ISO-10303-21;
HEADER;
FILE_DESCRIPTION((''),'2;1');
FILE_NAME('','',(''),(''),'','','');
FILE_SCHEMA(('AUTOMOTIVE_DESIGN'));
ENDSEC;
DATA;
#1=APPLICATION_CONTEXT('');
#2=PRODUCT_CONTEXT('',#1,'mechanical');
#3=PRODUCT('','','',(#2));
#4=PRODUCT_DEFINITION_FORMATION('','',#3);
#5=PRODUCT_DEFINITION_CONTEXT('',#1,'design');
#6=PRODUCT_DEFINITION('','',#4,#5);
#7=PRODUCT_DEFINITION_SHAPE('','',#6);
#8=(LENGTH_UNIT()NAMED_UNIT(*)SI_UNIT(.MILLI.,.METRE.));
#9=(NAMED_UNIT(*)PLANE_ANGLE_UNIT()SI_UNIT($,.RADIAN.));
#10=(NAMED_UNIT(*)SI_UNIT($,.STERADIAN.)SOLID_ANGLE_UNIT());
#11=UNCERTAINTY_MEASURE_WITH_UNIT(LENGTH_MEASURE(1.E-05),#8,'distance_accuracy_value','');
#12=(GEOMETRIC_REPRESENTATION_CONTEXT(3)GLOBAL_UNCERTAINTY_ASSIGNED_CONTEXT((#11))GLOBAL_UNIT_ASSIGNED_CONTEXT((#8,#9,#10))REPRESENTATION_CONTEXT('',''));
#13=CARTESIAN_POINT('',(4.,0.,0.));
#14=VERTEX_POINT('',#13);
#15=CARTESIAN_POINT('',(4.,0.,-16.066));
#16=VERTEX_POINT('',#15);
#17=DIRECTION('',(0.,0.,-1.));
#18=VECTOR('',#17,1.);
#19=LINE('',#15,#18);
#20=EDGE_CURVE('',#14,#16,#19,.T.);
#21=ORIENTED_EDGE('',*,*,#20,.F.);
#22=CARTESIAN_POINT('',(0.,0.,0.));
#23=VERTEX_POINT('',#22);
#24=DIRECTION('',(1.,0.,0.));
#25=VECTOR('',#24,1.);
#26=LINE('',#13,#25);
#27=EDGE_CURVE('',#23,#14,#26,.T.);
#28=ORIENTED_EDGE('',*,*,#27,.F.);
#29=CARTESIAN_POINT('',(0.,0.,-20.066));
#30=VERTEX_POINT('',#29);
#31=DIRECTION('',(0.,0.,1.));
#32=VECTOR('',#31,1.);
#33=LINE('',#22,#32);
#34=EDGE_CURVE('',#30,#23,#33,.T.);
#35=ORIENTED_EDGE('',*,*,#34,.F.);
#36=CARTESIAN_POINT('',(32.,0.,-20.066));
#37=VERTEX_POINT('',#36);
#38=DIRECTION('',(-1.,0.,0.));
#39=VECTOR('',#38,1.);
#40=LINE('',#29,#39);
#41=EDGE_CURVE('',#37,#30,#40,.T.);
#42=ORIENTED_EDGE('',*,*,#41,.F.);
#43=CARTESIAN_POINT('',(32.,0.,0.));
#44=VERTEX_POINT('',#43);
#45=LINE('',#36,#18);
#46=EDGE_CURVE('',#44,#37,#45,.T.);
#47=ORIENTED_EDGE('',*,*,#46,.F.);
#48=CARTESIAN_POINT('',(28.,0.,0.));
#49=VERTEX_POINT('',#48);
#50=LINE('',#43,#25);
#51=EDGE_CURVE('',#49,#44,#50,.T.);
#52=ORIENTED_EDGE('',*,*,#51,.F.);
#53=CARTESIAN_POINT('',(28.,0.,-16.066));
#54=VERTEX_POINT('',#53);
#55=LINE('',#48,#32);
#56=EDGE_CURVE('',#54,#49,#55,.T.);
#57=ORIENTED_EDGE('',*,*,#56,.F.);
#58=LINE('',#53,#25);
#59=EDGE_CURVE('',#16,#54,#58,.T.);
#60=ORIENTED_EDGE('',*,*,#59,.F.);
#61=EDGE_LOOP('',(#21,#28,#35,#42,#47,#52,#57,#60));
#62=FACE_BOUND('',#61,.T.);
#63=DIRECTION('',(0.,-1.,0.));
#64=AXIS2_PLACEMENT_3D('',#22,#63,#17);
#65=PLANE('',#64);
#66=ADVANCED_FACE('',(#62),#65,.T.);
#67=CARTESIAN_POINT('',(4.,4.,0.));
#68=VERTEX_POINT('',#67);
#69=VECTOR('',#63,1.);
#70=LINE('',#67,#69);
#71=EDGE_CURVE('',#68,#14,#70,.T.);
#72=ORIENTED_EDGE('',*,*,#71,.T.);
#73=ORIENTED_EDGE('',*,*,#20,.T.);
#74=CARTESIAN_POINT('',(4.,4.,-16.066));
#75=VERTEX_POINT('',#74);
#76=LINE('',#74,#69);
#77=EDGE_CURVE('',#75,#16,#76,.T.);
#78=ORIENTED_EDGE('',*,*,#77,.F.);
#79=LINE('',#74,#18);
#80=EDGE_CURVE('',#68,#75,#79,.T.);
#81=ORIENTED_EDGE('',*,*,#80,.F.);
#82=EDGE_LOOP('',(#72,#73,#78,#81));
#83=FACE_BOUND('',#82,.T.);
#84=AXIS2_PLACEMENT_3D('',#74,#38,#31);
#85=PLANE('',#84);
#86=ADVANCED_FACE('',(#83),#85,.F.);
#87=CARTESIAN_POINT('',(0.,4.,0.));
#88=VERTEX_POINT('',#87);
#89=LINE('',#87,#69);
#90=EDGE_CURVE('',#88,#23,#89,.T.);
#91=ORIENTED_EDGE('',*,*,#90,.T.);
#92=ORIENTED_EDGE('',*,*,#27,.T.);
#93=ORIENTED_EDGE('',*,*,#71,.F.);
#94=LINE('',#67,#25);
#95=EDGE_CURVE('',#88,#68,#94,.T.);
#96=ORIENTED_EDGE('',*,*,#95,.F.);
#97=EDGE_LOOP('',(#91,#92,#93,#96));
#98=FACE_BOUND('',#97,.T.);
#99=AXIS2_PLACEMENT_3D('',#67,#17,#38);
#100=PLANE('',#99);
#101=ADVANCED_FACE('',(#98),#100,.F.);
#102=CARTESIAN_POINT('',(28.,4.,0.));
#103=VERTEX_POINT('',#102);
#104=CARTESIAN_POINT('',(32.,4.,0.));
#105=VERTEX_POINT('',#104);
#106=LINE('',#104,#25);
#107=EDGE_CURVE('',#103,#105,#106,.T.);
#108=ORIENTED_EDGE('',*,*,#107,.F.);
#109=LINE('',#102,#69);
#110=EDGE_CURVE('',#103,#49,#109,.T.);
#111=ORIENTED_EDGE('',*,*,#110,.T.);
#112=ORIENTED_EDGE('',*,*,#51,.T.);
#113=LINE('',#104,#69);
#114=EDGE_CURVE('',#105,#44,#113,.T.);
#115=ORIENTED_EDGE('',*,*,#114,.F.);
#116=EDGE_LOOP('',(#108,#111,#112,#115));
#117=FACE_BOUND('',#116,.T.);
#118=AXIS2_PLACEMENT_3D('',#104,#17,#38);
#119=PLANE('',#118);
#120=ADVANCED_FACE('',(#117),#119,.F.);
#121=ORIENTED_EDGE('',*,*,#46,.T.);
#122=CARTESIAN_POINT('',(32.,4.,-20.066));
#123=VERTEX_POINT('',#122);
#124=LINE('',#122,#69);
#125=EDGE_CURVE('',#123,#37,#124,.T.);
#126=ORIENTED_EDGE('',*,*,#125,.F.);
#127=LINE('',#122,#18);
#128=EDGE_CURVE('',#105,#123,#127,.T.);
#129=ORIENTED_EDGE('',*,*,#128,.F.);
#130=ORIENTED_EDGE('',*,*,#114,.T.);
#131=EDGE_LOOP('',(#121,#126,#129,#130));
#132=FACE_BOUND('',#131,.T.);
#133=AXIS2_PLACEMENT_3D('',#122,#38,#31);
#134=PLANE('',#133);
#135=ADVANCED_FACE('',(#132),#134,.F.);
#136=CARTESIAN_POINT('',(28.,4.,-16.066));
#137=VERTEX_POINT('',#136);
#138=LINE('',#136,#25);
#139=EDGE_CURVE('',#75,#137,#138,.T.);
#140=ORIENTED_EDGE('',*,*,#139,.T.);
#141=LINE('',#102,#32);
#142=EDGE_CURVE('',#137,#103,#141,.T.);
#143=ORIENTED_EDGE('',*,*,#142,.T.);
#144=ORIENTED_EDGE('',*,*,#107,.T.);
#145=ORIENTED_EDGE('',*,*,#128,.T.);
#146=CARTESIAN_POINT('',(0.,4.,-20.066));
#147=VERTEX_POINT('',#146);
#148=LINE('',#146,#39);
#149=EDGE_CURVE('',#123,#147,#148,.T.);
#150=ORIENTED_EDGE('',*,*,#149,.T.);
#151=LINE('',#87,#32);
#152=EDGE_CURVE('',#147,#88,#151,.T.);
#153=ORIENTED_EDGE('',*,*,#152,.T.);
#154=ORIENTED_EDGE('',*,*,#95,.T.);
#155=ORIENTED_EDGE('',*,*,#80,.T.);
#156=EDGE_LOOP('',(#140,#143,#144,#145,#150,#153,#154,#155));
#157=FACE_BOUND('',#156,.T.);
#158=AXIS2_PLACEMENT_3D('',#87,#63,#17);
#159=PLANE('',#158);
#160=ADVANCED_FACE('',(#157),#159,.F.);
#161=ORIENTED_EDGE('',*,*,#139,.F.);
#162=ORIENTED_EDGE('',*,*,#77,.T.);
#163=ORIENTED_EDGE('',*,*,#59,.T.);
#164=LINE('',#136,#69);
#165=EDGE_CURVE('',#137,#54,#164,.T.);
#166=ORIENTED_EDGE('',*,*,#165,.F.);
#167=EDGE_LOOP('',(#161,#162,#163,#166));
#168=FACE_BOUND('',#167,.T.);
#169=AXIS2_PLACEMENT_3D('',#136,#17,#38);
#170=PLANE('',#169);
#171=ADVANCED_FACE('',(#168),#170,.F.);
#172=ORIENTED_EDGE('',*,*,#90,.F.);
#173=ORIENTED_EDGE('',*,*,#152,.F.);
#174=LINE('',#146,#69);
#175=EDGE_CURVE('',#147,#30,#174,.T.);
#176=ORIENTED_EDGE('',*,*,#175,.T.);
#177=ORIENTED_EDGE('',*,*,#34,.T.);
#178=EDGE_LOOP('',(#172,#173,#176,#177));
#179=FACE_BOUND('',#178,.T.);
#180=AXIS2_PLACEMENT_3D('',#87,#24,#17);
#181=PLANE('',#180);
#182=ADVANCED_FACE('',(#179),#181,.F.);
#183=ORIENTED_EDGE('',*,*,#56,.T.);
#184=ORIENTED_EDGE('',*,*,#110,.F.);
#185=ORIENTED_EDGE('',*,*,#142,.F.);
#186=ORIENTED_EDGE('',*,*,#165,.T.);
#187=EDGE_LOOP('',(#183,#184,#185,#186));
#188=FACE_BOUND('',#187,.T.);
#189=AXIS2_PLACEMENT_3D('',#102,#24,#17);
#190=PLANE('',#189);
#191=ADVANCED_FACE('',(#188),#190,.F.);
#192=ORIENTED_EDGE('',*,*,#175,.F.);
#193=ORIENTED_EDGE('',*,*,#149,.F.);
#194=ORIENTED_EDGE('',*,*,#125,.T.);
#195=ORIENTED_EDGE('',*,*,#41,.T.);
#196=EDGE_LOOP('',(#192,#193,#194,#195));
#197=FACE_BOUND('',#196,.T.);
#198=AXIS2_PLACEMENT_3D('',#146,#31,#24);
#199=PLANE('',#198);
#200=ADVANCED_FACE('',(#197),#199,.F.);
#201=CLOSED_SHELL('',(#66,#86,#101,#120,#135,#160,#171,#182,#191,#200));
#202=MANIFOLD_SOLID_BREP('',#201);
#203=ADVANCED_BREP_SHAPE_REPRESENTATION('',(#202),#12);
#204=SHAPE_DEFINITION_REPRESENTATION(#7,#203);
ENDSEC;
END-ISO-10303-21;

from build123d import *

# Parameters (mm, degrees)
BOSS_EXTRUDE1_DEPTH = 4


with BuildPart() as part:
    # Sketch1 → Boss-Extrude1 (new body)
    with BuildSketch(Plane(origin=(0, 0, 0), x_dir=(1, 0, 0), z_dir=(0, 1, 0))):
        Polygon((0, 0), (0, 20.066), (32, 20.066), (32, 0), (28, 0), (28, 16.066), (4, 16.066), (4, 0), align=None)
    extrude(amount=BOSS_EXTRUDE1_DEPTH)


solid = part.part
